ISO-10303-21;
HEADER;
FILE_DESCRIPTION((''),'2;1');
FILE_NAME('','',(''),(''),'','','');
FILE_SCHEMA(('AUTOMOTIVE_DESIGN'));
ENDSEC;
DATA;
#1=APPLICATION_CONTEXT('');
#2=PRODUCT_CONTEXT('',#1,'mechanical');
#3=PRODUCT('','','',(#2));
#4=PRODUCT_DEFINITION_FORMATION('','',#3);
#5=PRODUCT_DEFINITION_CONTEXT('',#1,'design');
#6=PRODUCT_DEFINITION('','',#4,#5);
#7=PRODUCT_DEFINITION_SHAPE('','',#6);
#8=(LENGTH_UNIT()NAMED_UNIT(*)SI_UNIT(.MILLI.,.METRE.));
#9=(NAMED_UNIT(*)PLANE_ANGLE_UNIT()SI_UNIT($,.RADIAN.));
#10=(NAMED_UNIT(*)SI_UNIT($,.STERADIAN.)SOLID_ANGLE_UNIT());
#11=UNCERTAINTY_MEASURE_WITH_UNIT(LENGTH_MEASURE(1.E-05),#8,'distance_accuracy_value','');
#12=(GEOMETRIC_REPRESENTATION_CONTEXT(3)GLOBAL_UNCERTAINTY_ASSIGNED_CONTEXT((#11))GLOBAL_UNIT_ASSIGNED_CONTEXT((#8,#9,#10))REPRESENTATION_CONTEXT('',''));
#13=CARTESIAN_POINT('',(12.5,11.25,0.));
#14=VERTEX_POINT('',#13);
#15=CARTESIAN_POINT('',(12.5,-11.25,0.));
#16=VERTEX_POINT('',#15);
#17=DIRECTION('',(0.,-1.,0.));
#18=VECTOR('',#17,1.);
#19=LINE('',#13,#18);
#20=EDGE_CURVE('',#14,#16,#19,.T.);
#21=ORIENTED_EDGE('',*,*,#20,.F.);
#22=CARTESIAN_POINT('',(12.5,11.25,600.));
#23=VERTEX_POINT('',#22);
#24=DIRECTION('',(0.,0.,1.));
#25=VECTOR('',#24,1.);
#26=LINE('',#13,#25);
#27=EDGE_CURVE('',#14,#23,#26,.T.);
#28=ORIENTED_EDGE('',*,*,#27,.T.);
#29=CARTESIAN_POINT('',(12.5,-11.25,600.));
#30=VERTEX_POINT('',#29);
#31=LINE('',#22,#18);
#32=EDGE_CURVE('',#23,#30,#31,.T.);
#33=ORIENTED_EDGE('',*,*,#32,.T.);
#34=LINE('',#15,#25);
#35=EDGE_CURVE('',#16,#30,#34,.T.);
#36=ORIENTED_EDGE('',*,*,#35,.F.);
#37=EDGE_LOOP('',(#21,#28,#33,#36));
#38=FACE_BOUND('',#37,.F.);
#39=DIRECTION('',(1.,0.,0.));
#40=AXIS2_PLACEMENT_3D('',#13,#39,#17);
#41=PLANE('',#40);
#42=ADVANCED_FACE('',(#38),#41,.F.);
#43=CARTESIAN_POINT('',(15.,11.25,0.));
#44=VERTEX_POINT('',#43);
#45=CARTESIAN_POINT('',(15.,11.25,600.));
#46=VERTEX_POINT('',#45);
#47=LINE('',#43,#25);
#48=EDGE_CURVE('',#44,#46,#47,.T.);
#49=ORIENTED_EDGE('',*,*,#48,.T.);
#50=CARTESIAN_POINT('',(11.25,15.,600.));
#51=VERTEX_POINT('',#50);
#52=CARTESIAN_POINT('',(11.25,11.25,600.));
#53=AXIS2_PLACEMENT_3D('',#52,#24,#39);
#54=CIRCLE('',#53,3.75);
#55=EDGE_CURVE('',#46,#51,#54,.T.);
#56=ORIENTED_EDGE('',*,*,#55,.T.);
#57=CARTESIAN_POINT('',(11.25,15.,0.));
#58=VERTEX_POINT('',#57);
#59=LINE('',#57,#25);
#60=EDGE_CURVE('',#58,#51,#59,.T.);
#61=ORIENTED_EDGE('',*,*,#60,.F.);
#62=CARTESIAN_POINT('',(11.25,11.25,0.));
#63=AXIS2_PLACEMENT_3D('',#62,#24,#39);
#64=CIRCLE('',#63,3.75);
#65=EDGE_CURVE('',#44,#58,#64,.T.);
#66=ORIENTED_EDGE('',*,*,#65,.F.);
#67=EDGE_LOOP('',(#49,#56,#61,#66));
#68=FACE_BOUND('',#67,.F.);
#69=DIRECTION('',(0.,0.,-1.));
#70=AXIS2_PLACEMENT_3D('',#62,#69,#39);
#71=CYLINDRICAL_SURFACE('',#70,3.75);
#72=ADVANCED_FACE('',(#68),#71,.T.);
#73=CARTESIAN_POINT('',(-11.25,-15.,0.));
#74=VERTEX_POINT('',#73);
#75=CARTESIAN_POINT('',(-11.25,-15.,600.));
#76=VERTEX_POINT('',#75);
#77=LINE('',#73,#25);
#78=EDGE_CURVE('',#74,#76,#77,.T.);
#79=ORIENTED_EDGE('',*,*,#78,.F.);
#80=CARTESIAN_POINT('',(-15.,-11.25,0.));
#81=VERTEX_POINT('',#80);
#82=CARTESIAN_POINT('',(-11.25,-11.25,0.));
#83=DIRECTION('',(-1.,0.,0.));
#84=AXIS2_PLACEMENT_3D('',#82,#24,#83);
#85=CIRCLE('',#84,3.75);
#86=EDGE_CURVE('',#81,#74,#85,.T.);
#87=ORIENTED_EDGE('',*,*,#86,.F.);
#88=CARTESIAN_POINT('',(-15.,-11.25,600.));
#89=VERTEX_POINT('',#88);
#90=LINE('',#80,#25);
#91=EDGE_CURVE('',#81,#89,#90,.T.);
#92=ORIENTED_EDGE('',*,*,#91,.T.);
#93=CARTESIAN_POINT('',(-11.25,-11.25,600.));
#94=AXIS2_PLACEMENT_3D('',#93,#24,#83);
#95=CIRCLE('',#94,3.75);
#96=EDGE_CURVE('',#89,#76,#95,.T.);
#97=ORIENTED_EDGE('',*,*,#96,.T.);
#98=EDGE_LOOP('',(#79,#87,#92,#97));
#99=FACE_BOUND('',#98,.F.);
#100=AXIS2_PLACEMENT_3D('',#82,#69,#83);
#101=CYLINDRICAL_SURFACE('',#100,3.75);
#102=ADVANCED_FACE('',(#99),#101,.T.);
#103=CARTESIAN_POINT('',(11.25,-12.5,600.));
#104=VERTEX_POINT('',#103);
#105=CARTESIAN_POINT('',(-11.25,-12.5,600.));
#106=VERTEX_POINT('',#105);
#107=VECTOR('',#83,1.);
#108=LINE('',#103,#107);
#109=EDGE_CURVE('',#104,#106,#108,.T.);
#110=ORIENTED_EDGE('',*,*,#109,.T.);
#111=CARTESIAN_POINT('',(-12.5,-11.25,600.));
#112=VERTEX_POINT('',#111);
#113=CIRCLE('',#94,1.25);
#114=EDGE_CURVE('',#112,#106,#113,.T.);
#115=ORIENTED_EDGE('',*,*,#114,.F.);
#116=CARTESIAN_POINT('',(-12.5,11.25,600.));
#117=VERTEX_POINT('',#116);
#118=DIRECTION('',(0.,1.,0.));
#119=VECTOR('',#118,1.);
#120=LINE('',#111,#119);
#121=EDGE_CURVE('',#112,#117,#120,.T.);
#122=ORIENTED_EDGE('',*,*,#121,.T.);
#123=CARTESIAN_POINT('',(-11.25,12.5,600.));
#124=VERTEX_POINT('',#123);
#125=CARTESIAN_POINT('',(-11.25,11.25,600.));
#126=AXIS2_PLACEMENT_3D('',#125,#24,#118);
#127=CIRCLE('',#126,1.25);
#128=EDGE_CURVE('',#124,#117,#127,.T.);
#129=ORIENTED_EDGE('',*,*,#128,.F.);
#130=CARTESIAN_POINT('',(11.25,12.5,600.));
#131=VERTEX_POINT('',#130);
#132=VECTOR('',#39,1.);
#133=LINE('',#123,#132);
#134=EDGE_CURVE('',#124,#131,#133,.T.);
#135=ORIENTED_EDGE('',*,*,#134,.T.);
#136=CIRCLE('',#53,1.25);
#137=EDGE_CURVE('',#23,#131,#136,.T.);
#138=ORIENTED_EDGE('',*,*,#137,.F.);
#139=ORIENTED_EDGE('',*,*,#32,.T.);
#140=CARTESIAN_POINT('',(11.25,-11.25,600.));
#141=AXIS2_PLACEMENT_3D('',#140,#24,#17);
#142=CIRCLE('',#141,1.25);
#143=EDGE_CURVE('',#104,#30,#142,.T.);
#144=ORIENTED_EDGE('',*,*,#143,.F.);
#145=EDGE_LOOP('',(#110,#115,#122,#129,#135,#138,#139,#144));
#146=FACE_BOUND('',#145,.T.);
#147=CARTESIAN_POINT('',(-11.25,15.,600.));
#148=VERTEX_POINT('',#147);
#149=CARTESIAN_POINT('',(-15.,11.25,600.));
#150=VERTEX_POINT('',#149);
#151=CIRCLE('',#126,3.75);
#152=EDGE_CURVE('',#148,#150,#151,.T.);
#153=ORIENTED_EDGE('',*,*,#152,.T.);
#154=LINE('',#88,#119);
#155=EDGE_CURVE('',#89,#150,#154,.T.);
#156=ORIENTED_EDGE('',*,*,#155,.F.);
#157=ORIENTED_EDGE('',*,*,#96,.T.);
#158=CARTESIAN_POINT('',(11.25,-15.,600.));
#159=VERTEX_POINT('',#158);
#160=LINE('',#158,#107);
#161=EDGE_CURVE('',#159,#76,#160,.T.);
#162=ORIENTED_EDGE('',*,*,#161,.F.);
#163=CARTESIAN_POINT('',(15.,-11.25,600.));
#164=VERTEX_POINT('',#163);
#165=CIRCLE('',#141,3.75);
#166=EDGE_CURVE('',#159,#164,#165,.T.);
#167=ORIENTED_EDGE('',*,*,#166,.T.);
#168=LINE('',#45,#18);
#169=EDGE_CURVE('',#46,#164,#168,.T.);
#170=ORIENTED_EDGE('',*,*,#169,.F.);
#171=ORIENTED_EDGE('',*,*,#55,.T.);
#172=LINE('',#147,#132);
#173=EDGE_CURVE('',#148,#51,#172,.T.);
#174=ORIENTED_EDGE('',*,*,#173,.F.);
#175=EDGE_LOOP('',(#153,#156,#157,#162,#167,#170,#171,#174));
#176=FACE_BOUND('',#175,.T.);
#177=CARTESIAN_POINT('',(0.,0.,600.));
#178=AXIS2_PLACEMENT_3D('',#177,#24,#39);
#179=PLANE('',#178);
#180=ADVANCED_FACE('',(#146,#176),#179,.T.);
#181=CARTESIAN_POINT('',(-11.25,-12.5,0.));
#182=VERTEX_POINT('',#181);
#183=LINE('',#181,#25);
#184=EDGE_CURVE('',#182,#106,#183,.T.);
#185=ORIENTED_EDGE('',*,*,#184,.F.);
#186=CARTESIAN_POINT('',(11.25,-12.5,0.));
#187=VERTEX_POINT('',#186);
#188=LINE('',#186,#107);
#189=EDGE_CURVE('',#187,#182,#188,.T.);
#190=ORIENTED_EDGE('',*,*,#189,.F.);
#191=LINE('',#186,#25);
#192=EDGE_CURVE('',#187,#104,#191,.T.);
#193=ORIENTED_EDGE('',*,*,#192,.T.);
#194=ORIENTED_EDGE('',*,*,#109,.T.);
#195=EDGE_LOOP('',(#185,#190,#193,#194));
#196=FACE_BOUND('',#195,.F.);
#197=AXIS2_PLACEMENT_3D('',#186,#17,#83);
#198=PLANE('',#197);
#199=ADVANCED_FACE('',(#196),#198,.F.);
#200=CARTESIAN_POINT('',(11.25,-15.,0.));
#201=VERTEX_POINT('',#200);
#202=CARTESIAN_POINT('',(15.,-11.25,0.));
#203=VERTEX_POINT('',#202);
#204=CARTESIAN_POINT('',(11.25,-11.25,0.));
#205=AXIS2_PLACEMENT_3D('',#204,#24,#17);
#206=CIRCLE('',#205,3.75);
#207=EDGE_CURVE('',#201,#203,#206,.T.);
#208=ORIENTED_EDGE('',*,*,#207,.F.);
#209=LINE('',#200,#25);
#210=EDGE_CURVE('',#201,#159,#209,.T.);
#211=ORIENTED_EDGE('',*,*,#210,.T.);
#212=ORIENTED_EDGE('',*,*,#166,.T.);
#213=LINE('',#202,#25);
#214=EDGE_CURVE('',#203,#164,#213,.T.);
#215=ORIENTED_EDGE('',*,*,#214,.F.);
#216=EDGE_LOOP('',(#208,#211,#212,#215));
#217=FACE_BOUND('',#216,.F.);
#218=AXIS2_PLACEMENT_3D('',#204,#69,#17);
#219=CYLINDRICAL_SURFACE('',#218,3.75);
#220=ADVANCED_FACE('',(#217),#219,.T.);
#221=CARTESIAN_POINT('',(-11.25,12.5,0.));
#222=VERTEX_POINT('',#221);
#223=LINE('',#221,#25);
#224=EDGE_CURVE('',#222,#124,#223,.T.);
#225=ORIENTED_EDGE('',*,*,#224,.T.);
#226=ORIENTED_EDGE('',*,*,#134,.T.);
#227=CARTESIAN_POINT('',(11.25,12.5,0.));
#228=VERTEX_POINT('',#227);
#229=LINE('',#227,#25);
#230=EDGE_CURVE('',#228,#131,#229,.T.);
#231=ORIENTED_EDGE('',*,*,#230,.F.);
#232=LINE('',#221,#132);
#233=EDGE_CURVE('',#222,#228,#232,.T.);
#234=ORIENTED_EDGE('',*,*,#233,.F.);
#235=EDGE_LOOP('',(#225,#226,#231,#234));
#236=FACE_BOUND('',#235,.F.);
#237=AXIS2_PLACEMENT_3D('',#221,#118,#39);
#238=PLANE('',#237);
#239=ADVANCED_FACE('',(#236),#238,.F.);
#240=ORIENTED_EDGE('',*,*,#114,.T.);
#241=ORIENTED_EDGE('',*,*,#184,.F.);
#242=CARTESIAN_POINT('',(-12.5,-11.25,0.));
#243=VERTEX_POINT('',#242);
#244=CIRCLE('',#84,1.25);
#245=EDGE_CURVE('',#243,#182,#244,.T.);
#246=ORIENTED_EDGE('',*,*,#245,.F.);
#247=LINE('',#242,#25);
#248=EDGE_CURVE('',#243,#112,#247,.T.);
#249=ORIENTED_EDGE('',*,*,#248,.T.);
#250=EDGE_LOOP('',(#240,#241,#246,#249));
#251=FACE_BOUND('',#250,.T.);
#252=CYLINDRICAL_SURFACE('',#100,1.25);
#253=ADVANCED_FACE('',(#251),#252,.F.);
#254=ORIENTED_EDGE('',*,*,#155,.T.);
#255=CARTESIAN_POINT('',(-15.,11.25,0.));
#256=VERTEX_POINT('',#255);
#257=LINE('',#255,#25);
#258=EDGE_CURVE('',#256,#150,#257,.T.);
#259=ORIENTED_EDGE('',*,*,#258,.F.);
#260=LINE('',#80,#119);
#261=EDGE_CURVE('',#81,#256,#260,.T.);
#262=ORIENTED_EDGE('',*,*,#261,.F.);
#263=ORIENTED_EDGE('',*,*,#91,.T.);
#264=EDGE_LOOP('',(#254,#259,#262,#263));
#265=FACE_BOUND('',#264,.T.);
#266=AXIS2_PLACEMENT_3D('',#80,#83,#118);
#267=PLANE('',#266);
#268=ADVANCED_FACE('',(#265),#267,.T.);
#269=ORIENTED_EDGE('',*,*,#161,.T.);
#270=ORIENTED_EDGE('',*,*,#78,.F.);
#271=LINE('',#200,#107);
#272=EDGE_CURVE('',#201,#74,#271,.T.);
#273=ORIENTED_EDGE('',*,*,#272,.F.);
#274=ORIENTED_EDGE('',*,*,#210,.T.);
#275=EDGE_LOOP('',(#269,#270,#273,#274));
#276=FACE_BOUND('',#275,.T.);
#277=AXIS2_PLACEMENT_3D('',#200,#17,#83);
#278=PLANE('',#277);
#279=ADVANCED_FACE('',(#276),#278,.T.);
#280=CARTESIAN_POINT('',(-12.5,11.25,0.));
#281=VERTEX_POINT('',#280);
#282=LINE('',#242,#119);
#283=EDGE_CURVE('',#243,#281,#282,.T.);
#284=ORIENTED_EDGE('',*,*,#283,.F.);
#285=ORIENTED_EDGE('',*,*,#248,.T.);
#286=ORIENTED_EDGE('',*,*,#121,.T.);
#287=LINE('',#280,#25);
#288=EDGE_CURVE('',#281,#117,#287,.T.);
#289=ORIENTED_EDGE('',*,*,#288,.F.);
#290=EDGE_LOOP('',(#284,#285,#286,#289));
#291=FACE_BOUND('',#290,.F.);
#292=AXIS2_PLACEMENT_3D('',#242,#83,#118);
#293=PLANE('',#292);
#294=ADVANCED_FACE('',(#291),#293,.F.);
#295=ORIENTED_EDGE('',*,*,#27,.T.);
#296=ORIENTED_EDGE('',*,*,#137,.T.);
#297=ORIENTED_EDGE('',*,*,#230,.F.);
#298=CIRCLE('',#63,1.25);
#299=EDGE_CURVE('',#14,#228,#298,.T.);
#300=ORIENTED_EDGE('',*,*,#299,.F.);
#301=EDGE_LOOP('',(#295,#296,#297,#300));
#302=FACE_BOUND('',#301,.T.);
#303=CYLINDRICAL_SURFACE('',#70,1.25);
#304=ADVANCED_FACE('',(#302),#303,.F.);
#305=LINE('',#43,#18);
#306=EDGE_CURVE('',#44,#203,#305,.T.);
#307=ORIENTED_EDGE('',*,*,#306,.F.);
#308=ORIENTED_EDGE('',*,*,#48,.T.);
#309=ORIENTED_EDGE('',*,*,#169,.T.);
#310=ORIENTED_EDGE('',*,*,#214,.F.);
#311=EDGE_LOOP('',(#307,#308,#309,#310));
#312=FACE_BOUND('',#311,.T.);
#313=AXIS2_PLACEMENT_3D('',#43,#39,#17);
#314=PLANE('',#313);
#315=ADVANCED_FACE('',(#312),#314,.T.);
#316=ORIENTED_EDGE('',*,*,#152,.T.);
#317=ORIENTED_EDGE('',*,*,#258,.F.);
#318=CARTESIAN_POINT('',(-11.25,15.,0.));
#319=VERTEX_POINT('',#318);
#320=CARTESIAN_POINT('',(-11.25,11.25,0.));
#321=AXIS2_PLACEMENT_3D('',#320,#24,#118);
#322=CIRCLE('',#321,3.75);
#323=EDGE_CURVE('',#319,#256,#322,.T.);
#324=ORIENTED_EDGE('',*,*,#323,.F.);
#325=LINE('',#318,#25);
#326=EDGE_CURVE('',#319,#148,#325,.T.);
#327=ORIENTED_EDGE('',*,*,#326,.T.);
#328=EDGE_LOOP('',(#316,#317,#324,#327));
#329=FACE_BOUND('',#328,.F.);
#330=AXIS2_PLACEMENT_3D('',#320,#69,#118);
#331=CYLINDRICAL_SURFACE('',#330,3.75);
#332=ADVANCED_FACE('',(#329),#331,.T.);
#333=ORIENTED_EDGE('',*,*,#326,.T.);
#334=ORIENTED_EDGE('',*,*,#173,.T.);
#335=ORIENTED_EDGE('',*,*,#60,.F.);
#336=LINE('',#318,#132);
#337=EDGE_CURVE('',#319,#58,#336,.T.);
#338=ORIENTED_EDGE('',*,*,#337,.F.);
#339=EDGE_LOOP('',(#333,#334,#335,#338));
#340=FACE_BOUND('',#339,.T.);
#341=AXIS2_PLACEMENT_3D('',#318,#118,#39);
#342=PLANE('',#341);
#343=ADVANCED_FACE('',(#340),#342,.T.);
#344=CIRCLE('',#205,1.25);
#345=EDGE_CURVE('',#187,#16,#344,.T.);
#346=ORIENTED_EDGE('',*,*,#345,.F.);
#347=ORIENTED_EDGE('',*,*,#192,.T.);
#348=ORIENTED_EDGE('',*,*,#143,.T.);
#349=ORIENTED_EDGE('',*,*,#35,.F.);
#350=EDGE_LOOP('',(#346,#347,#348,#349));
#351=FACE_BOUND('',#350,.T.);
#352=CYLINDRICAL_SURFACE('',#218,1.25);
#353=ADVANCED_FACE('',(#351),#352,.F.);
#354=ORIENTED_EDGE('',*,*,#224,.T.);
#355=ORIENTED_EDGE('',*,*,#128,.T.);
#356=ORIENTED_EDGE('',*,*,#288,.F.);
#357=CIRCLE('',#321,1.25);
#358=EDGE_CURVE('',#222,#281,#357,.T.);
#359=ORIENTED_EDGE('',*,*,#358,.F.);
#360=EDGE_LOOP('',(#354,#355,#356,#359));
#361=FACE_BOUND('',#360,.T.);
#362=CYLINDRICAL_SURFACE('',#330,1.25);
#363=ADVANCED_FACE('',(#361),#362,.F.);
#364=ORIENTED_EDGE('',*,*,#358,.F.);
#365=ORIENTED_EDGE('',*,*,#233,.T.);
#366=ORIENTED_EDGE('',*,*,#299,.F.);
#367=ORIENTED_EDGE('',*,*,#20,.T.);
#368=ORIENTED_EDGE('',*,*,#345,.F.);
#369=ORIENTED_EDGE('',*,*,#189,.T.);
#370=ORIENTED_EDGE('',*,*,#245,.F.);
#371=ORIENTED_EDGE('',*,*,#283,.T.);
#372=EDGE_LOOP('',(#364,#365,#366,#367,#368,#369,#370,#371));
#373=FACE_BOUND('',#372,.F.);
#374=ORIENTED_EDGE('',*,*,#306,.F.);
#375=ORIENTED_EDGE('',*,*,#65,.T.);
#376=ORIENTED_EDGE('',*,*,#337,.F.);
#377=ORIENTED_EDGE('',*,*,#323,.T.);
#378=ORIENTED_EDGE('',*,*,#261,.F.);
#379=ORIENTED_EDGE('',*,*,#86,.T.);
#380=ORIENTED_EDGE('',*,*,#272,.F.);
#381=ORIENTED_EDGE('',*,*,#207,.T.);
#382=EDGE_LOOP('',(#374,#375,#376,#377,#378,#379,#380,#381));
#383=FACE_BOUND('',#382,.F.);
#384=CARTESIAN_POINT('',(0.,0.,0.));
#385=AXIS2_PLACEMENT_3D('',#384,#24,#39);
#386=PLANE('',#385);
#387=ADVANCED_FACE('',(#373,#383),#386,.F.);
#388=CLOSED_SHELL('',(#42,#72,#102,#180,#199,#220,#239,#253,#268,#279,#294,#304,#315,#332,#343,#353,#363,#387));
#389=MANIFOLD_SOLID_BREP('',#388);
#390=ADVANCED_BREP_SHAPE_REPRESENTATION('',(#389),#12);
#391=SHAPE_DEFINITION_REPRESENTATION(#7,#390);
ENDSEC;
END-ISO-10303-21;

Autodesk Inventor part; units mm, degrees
ref_plane "YZ Plane" through (0, 0, 0) normal (1, 0, 0) x (0, 1, 0)
ref_plane "Start plane" through (0, 0, 0) normal (0, 0, 1) x (1, 0, 0)
ref_plane "End plane" through (0, 0, 600) normal (0, 0, 1) x (1, 0, 0)
sketch "Sketch" plane through (0, 0, 0) normal (0, 0, 1) x (1, 0, 0)
  line L0 (-15, -11.25) -> (-15, 11.25)
  line L1 (-11.25, 15) -> (11.25, 15)
  line L2 (15, 11.25) -> (15, -11.25)
  line L3 (11.25, -15) -> (-11.25, -15)
  arc A0 (-15, -11.25) -> (-11.25, -15) centre (-11.25, -11.25) ccw
  arc A1 (-11.25, 15) -> (-15, 11.25) centre (-11.25, 11.25) ccw
  arc A2 (15, 11.25) -> (11.25, 15) centre (11.25, 11.25) ccw
  arc A3 (11.25, -15) -> (15, -11.25) centre (11.25, -11.25) ccw
  arc A4 (-11.25, 12.5) -> (-12.5, 11.25) centre (-11.25, 11.25) ccw
  line L4 (-11.25, 12.5) -> (11.25, 12.5)
  arc A5 (12.5, 11.25) -> (11.25, 12.5) centre (11.25, 11.25) ccw
  line L5 (12.5, 11.25) -> (12.5, -11.25)
  arc A6 (11.25, -12.5) -> (12.5, -11.25) centre (11.25, -11.25) ccw
  line L6 (11.25, -12.5) -> (-11.25, -12.5)
  arc A7 (-12.5, -11.25) -> (-11.25, -12.5) centre (-11.25, -11.25) ccw
  line L7 (-12.5, -11.25) -> (-12.5, 11.25)
  line L8 (0, 22.0873) -> (0, -22.0873) construction
  line L9 (-22.0873, 0) -> (22.0873, 0) construction
  dimension "d7" = 3.75
  dimension "d10" = 30
  dimension "d11" = 30
  dimension "d12" = 2.5
  dimension "d15" = 15
  dimension "d16" = 15
extrude "Body" add sketch "Sketch" along normal up to surface (600 mm away) from surface at 0
sketch "Sketch3" plane through (0, 0, 0) normal (0, 0, 1) x (1, 0, 0)
  line L0 (0, 0) -> (10, 0)
ref_plane "Work Plane3" through (0, 0, 0) normal (0, -1, 0) x (1, 0, 0)
sketch "Sketch4" plane through (0, 0, 0) normal (0, -1, 0) x (1, 0, 0)
  line L0 (-2, 0) -> (12, 0)
  line L1 (-2, 600) -> (12, 600)
  dimension "d18" = 600
equation "\"d7\" = G_IR"
equation "\"d10\" = G_H"
equation "\"d11\" = G_W"
equation "\"d12\" = G_T"
equation "\"d15\" = 0.5 * d10"
equation "\"d16\" = 0.5 * d11"
equation "\"d3\" = G_L"
equation "\"G_W\" = 30"
equation "\"G_H\" = 30"
equation "\"G_T\" = 2.5"
equation "\"G_IR\" = 3.75"
equation "\"G_L\" = d18"
equation "\"G_OFFSET_START\" = 0"
equation "\"G_OFFSET_END\" = 0"
properties part number "DIN EN 10305-5 - 30 x 30 x 2,5  - 600" material "Steel, Mild"
